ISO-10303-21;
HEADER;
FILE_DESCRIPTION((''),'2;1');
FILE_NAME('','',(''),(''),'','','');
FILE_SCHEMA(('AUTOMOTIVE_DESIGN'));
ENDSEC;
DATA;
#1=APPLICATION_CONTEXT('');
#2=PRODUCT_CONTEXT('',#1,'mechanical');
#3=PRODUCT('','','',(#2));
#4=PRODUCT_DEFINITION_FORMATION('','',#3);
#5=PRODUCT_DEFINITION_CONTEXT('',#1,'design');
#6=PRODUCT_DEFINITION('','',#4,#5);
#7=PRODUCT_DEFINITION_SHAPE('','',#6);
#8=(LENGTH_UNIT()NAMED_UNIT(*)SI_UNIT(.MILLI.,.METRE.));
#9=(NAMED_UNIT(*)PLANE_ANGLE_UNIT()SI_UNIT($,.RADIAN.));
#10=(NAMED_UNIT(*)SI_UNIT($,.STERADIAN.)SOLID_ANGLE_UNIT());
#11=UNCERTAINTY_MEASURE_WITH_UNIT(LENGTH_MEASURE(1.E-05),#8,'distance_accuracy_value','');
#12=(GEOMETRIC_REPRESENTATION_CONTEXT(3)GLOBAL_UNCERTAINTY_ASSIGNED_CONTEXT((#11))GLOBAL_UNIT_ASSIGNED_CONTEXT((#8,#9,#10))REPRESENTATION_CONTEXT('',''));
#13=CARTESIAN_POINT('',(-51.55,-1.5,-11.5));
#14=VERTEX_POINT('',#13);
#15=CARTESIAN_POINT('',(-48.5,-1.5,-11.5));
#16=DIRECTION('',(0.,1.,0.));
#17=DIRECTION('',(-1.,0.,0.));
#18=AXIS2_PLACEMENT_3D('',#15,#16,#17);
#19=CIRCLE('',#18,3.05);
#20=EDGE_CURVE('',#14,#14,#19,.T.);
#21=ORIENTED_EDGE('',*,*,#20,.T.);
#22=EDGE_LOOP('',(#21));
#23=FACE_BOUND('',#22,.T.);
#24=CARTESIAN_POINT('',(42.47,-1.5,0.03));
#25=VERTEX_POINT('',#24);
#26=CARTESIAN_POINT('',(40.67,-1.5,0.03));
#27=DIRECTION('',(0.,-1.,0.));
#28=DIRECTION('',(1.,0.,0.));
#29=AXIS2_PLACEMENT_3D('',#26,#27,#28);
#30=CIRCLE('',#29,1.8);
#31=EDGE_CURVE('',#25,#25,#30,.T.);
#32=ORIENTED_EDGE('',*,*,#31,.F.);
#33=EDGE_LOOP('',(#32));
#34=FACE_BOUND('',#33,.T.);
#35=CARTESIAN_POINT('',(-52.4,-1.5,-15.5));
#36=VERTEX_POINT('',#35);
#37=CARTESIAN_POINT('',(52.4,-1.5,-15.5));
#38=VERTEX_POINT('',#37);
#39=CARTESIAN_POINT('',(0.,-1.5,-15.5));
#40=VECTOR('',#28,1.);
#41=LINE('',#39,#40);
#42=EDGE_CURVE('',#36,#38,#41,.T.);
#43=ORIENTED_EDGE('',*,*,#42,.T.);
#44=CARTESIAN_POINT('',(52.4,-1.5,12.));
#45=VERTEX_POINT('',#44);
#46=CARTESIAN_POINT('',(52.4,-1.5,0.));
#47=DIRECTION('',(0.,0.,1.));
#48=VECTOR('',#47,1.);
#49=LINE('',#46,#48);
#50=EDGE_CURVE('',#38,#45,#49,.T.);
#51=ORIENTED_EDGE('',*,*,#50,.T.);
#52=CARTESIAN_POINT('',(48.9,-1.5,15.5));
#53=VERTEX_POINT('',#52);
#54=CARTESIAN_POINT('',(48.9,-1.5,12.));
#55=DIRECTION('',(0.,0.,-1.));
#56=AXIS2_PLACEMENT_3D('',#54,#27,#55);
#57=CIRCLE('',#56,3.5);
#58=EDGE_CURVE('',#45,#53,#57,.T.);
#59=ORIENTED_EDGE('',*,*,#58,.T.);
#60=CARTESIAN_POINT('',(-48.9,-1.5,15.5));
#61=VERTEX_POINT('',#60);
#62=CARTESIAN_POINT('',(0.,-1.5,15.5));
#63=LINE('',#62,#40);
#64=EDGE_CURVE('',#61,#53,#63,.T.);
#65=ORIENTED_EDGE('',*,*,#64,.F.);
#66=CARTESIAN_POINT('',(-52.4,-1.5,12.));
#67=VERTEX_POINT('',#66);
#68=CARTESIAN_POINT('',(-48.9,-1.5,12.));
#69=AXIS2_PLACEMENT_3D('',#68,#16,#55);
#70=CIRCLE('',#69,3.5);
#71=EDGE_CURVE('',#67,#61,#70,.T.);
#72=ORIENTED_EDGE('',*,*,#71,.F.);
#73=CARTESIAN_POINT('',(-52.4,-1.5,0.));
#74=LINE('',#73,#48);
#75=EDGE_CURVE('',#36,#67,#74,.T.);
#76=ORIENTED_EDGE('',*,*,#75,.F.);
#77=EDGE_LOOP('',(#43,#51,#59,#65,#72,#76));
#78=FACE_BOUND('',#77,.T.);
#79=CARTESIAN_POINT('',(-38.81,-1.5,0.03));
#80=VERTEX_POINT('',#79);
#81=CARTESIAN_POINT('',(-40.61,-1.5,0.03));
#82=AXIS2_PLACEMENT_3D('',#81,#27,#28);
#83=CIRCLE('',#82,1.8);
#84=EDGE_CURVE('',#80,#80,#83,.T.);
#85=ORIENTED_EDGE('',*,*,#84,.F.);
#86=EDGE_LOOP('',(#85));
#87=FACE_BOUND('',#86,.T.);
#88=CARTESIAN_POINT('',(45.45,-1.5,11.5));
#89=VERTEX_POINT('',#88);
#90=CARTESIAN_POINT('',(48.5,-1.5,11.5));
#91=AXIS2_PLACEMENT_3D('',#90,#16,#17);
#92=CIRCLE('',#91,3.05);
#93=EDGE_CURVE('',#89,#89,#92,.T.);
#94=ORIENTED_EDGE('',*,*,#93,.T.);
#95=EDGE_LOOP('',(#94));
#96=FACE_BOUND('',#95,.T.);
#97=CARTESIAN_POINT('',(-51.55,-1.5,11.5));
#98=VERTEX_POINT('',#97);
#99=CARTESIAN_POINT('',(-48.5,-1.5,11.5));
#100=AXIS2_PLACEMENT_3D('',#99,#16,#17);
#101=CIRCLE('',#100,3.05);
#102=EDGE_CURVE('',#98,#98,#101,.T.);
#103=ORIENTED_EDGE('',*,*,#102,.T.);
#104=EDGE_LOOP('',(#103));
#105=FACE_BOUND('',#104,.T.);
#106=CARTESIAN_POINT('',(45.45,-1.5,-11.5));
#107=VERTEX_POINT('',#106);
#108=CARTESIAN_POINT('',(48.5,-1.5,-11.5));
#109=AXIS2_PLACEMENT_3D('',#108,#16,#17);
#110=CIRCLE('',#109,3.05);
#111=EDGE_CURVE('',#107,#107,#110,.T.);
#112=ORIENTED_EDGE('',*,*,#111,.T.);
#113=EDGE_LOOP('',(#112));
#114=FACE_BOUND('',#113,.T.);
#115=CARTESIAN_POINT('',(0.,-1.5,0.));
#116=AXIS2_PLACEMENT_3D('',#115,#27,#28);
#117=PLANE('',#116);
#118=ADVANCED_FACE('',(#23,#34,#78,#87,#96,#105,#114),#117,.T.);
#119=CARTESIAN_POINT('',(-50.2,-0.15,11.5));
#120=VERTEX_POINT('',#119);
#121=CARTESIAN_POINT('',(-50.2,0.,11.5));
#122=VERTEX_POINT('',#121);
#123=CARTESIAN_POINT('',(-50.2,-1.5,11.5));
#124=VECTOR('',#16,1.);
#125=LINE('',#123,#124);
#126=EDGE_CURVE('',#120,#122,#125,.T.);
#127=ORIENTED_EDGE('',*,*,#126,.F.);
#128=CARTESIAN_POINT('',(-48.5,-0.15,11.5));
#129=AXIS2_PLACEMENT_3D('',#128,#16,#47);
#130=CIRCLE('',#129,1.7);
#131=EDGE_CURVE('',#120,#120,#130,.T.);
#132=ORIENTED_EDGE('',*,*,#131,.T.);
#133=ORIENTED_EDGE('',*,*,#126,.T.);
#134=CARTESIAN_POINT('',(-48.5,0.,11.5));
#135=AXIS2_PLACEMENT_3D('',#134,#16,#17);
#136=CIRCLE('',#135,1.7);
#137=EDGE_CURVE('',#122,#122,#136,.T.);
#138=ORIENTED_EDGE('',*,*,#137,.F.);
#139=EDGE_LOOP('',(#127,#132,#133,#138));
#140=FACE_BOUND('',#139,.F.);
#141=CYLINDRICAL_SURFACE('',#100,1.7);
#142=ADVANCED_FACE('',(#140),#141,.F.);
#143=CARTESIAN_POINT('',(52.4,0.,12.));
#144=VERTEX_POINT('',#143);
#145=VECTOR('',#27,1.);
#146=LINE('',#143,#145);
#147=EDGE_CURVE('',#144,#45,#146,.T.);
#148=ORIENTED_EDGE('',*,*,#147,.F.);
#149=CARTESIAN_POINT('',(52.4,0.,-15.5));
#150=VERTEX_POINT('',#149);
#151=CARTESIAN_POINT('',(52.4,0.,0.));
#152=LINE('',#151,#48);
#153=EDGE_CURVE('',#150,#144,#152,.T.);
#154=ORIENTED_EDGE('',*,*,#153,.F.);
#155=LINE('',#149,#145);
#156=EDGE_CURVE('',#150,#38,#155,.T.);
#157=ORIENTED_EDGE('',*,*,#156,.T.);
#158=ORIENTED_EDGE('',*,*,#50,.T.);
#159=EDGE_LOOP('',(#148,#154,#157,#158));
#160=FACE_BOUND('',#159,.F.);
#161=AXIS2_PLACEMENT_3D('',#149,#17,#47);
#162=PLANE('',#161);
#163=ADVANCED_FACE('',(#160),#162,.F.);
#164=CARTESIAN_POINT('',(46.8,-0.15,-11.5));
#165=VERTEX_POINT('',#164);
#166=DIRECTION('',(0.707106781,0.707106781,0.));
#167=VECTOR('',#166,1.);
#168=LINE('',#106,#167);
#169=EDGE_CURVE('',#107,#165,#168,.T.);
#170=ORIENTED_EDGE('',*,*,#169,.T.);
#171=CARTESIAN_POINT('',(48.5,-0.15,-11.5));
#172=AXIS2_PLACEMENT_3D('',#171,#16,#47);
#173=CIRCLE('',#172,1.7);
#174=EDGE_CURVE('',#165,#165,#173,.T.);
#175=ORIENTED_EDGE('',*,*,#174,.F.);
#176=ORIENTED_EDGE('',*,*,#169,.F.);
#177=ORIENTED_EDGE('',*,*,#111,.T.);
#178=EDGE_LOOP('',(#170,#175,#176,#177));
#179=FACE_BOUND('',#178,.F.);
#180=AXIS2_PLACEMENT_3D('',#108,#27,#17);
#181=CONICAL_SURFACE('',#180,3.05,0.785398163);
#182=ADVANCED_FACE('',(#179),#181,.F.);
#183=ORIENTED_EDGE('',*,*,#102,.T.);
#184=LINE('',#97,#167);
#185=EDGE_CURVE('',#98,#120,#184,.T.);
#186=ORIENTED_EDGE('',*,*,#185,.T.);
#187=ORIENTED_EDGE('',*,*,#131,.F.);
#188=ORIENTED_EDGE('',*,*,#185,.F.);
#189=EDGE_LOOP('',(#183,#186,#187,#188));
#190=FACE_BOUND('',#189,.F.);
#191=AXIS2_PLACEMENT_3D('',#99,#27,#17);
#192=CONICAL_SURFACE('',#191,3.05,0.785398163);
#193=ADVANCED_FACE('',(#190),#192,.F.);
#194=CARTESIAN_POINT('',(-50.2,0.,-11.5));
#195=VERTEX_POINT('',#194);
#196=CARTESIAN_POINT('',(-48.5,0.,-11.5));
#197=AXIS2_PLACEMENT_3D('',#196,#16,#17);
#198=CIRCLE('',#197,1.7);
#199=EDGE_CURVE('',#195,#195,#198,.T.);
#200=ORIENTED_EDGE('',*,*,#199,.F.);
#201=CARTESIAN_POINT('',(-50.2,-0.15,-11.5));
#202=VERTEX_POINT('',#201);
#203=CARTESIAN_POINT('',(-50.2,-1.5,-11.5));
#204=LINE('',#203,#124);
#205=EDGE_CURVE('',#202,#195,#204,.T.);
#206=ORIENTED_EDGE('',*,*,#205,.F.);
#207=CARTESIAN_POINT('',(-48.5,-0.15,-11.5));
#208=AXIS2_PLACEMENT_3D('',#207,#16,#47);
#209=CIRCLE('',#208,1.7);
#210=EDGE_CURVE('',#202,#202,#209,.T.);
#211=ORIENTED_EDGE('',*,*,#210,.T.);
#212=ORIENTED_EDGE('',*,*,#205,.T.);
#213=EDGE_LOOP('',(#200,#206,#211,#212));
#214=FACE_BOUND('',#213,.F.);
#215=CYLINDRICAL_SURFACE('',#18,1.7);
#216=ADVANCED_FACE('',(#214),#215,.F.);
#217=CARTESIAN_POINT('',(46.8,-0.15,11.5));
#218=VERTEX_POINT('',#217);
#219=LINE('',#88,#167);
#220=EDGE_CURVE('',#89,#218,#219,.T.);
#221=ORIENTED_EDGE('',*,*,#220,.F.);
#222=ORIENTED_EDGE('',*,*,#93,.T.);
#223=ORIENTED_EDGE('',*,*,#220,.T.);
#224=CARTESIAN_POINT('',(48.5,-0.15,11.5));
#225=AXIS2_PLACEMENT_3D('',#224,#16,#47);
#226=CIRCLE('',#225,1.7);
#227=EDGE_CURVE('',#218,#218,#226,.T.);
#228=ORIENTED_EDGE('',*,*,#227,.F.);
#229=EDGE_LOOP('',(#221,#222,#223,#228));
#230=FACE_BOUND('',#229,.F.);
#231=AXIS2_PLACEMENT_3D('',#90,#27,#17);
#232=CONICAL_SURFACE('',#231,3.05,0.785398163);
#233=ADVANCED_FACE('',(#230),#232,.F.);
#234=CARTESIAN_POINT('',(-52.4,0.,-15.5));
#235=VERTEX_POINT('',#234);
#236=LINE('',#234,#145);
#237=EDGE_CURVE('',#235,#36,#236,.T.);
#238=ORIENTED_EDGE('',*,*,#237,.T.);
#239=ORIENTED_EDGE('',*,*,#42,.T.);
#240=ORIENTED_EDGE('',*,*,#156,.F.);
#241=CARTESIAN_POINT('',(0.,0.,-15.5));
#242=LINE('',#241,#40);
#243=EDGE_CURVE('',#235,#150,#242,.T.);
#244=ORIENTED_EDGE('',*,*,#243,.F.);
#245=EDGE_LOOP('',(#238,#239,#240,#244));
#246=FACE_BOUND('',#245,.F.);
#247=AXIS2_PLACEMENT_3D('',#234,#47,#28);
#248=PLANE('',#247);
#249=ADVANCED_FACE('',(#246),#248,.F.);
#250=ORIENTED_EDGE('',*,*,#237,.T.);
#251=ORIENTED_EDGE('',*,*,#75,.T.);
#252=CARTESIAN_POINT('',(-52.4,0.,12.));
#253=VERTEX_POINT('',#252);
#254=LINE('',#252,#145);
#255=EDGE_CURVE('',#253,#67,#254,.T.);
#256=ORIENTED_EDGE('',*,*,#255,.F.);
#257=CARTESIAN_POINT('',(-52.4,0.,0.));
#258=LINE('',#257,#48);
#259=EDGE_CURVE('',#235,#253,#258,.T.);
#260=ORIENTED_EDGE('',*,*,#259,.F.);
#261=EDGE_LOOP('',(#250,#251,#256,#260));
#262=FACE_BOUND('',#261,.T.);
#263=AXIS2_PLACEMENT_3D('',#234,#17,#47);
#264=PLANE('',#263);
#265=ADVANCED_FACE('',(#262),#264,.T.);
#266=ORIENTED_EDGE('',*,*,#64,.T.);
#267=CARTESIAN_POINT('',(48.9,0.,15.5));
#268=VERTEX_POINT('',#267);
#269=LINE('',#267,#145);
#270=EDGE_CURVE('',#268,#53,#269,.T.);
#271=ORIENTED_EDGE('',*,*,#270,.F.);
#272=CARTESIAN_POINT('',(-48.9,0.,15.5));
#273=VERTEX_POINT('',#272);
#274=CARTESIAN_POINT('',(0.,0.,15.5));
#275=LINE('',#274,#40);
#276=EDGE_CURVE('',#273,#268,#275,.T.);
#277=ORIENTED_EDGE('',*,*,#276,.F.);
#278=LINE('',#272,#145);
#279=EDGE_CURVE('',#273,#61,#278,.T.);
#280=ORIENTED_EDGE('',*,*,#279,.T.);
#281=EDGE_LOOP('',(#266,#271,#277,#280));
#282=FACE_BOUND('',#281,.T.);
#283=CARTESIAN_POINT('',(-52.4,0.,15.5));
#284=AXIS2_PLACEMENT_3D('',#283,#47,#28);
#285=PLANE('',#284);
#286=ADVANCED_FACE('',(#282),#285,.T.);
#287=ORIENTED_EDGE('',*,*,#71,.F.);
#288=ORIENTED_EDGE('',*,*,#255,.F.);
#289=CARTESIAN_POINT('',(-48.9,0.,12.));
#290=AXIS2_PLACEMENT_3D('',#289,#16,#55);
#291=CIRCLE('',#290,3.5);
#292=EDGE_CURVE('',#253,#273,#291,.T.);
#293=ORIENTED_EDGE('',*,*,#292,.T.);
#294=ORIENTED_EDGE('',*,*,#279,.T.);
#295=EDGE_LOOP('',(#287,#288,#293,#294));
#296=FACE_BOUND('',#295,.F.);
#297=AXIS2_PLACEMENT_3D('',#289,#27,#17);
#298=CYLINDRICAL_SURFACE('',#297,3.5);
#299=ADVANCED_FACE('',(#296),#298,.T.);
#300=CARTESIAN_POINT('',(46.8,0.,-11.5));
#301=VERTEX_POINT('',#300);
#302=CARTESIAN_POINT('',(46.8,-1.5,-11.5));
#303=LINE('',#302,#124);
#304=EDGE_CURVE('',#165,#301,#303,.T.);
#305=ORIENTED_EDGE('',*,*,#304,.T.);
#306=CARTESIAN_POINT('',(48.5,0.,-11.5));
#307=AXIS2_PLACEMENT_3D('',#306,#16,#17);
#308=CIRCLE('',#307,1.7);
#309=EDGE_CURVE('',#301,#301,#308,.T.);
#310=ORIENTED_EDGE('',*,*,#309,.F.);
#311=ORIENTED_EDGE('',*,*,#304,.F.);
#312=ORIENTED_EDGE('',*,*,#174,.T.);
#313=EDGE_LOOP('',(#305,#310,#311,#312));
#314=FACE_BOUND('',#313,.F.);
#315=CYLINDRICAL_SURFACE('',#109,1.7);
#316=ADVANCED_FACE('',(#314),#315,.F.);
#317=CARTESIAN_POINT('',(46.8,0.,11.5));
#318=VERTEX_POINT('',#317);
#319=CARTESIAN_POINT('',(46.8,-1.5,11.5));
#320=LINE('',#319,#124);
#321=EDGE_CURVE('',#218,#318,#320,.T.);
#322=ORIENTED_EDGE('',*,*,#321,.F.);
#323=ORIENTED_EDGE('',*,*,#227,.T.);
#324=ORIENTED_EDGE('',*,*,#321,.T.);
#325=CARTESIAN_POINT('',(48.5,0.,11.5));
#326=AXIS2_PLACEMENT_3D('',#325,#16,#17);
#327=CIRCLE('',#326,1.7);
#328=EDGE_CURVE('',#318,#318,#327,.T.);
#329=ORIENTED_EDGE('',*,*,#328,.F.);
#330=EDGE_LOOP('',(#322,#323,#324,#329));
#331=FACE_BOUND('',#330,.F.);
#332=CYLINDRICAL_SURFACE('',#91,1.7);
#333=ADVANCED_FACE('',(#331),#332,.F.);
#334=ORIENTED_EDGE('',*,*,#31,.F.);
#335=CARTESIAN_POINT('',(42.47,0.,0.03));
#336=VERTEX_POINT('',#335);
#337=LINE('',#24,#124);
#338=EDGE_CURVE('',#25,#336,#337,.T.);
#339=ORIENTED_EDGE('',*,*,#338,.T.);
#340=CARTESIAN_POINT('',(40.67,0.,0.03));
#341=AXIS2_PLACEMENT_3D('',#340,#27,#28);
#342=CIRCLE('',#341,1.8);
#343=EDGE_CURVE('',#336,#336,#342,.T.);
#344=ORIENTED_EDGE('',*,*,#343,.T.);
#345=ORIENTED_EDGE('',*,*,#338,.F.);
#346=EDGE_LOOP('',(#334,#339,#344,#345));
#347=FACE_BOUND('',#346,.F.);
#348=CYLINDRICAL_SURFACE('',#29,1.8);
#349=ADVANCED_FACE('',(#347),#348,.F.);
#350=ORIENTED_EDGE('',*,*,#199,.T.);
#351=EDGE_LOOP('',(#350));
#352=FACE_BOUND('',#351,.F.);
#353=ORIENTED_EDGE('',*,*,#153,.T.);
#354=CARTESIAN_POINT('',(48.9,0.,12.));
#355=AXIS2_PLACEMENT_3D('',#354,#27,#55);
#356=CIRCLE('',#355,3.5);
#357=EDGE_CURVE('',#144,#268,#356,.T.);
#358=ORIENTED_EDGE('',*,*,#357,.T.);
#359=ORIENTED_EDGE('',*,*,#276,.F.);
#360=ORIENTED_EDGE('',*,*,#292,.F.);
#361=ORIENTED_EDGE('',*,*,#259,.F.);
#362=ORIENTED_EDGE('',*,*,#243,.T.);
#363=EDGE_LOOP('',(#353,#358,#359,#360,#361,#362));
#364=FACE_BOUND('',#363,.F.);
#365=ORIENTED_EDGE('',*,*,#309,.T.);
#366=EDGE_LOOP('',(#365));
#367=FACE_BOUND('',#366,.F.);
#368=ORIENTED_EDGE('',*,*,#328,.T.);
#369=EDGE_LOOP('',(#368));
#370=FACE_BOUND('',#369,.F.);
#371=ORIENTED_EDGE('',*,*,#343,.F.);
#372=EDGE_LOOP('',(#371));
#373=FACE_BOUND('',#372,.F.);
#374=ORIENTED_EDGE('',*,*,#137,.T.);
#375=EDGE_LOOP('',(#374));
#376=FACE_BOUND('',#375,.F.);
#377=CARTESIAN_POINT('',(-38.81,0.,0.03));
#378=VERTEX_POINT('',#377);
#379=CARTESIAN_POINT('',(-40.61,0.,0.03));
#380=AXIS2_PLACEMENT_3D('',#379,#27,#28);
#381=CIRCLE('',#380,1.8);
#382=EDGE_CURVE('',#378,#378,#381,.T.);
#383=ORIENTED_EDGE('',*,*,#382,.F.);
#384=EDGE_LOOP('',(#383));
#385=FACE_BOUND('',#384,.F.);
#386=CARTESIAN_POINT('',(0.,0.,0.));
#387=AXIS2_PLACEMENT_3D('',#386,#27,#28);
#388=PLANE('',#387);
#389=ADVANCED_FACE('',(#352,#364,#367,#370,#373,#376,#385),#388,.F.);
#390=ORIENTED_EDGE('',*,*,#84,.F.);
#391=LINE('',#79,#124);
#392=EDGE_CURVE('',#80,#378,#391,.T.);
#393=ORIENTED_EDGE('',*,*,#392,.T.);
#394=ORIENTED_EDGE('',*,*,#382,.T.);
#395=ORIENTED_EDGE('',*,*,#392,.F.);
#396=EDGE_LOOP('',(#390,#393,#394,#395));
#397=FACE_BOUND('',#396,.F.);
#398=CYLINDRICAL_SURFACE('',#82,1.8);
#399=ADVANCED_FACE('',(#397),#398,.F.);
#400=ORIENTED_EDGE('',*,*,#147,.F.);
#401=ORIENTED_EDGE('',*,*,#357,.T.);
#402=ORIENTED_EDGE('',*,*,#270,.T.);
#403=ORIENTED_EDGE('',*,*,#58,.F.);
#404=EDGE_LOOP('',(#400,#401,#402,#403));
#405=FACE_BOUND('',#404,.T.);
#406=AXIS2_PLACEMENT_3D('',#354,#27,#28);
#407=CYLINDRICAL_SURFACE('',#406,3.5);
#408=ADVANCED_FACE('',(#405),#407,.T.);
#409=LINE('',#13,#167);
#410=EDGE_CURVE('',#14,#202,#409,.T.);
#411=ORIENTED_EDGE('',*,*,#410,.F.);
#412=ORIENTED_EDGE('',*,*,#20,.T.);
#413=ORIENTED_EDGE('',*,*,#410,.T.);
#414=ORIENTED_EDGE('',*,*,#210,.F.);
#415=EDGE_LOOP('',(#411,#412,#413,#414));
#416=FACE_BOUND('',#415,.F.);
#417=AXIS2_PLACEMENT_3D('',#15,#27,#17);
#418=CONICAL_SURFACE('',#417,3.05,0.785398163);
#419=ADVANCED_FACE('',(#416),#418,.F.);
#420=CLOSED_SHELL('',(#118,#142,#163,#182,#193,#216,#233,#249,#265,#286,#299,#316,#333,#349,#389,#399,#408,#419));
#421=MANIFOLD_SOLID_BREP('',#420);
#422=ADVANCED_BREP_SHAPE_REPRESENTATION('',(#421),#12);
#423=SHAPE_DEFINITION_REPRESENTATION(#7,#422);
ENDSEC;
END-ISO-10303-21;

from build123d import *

# Parameters (mm, degrees)
SKETCH_W            = 104.8
SKETCH_H            = 31
PAD_DEPTH           = 1.5
HOLE_D              = 3.4
HOLE_DEPTH          = 25
HOLE_CSINK_D        = 6.1
HOLE_CSINK_ANGLE    = 90
FILLET_R            = 3.5
SKETCH002_R         = 1.8
POCKET_DEPTH        = 1.501
LINEARPATTERN_COUNT = 2
LINEARPATTERN_PITCH = 81.28


with BuildPart() as part:
    # Sketch → Pad (new body)
    with BuildSketch(Plane.XZ):
        Rectangle(SKETCH_W, SKETCH_H)
    extrude(amount=PAD_DEPTH)

    # Hole
    with Locations(Plane.XZ.offset(1.5)):
        with Locations((-48.5, 11.5), (-48.5, -11.5), (48.5, -11.5), (48.5, 11.5)):
            CounterSinkHole(HOLE_D / 2, HOLE_CSINK_D / 2, depth=HOLE_DEPTH, counter_sink_angle=HOLE_CSINK_ANGLE)

    # Fillet
    fillet_edges = [part.edges().sort_by_distance(p)[0] for p in [
        (-52.4, -0.75, 15.5),
        (52.4, -0.75, 15.5),
    ]]
    fillet(fillet_edges, radius=FILLET_R)

    # Sketch002 (on Face5 of Fillet) → Pocket (cut, through all)
    with BuildSketch(Plane.XZ.offset(1.5)):
        with Locations((-40.61, 0.03)):
            Circle(SKETCH002_R)
    pocket = extrude(amount=-POCKET_DEPTH, mode=Mode.SUBTRACT)

    # LinearPattern: Pocket ×2
    with Locations(*[(i * LINEARPATTERN_PITCH, 0, 0) for i in range(1, LINEARPATTERN_COUNT)]):
        add(pocket, mode=Mode.SUBTRACT)


solid = part.part
